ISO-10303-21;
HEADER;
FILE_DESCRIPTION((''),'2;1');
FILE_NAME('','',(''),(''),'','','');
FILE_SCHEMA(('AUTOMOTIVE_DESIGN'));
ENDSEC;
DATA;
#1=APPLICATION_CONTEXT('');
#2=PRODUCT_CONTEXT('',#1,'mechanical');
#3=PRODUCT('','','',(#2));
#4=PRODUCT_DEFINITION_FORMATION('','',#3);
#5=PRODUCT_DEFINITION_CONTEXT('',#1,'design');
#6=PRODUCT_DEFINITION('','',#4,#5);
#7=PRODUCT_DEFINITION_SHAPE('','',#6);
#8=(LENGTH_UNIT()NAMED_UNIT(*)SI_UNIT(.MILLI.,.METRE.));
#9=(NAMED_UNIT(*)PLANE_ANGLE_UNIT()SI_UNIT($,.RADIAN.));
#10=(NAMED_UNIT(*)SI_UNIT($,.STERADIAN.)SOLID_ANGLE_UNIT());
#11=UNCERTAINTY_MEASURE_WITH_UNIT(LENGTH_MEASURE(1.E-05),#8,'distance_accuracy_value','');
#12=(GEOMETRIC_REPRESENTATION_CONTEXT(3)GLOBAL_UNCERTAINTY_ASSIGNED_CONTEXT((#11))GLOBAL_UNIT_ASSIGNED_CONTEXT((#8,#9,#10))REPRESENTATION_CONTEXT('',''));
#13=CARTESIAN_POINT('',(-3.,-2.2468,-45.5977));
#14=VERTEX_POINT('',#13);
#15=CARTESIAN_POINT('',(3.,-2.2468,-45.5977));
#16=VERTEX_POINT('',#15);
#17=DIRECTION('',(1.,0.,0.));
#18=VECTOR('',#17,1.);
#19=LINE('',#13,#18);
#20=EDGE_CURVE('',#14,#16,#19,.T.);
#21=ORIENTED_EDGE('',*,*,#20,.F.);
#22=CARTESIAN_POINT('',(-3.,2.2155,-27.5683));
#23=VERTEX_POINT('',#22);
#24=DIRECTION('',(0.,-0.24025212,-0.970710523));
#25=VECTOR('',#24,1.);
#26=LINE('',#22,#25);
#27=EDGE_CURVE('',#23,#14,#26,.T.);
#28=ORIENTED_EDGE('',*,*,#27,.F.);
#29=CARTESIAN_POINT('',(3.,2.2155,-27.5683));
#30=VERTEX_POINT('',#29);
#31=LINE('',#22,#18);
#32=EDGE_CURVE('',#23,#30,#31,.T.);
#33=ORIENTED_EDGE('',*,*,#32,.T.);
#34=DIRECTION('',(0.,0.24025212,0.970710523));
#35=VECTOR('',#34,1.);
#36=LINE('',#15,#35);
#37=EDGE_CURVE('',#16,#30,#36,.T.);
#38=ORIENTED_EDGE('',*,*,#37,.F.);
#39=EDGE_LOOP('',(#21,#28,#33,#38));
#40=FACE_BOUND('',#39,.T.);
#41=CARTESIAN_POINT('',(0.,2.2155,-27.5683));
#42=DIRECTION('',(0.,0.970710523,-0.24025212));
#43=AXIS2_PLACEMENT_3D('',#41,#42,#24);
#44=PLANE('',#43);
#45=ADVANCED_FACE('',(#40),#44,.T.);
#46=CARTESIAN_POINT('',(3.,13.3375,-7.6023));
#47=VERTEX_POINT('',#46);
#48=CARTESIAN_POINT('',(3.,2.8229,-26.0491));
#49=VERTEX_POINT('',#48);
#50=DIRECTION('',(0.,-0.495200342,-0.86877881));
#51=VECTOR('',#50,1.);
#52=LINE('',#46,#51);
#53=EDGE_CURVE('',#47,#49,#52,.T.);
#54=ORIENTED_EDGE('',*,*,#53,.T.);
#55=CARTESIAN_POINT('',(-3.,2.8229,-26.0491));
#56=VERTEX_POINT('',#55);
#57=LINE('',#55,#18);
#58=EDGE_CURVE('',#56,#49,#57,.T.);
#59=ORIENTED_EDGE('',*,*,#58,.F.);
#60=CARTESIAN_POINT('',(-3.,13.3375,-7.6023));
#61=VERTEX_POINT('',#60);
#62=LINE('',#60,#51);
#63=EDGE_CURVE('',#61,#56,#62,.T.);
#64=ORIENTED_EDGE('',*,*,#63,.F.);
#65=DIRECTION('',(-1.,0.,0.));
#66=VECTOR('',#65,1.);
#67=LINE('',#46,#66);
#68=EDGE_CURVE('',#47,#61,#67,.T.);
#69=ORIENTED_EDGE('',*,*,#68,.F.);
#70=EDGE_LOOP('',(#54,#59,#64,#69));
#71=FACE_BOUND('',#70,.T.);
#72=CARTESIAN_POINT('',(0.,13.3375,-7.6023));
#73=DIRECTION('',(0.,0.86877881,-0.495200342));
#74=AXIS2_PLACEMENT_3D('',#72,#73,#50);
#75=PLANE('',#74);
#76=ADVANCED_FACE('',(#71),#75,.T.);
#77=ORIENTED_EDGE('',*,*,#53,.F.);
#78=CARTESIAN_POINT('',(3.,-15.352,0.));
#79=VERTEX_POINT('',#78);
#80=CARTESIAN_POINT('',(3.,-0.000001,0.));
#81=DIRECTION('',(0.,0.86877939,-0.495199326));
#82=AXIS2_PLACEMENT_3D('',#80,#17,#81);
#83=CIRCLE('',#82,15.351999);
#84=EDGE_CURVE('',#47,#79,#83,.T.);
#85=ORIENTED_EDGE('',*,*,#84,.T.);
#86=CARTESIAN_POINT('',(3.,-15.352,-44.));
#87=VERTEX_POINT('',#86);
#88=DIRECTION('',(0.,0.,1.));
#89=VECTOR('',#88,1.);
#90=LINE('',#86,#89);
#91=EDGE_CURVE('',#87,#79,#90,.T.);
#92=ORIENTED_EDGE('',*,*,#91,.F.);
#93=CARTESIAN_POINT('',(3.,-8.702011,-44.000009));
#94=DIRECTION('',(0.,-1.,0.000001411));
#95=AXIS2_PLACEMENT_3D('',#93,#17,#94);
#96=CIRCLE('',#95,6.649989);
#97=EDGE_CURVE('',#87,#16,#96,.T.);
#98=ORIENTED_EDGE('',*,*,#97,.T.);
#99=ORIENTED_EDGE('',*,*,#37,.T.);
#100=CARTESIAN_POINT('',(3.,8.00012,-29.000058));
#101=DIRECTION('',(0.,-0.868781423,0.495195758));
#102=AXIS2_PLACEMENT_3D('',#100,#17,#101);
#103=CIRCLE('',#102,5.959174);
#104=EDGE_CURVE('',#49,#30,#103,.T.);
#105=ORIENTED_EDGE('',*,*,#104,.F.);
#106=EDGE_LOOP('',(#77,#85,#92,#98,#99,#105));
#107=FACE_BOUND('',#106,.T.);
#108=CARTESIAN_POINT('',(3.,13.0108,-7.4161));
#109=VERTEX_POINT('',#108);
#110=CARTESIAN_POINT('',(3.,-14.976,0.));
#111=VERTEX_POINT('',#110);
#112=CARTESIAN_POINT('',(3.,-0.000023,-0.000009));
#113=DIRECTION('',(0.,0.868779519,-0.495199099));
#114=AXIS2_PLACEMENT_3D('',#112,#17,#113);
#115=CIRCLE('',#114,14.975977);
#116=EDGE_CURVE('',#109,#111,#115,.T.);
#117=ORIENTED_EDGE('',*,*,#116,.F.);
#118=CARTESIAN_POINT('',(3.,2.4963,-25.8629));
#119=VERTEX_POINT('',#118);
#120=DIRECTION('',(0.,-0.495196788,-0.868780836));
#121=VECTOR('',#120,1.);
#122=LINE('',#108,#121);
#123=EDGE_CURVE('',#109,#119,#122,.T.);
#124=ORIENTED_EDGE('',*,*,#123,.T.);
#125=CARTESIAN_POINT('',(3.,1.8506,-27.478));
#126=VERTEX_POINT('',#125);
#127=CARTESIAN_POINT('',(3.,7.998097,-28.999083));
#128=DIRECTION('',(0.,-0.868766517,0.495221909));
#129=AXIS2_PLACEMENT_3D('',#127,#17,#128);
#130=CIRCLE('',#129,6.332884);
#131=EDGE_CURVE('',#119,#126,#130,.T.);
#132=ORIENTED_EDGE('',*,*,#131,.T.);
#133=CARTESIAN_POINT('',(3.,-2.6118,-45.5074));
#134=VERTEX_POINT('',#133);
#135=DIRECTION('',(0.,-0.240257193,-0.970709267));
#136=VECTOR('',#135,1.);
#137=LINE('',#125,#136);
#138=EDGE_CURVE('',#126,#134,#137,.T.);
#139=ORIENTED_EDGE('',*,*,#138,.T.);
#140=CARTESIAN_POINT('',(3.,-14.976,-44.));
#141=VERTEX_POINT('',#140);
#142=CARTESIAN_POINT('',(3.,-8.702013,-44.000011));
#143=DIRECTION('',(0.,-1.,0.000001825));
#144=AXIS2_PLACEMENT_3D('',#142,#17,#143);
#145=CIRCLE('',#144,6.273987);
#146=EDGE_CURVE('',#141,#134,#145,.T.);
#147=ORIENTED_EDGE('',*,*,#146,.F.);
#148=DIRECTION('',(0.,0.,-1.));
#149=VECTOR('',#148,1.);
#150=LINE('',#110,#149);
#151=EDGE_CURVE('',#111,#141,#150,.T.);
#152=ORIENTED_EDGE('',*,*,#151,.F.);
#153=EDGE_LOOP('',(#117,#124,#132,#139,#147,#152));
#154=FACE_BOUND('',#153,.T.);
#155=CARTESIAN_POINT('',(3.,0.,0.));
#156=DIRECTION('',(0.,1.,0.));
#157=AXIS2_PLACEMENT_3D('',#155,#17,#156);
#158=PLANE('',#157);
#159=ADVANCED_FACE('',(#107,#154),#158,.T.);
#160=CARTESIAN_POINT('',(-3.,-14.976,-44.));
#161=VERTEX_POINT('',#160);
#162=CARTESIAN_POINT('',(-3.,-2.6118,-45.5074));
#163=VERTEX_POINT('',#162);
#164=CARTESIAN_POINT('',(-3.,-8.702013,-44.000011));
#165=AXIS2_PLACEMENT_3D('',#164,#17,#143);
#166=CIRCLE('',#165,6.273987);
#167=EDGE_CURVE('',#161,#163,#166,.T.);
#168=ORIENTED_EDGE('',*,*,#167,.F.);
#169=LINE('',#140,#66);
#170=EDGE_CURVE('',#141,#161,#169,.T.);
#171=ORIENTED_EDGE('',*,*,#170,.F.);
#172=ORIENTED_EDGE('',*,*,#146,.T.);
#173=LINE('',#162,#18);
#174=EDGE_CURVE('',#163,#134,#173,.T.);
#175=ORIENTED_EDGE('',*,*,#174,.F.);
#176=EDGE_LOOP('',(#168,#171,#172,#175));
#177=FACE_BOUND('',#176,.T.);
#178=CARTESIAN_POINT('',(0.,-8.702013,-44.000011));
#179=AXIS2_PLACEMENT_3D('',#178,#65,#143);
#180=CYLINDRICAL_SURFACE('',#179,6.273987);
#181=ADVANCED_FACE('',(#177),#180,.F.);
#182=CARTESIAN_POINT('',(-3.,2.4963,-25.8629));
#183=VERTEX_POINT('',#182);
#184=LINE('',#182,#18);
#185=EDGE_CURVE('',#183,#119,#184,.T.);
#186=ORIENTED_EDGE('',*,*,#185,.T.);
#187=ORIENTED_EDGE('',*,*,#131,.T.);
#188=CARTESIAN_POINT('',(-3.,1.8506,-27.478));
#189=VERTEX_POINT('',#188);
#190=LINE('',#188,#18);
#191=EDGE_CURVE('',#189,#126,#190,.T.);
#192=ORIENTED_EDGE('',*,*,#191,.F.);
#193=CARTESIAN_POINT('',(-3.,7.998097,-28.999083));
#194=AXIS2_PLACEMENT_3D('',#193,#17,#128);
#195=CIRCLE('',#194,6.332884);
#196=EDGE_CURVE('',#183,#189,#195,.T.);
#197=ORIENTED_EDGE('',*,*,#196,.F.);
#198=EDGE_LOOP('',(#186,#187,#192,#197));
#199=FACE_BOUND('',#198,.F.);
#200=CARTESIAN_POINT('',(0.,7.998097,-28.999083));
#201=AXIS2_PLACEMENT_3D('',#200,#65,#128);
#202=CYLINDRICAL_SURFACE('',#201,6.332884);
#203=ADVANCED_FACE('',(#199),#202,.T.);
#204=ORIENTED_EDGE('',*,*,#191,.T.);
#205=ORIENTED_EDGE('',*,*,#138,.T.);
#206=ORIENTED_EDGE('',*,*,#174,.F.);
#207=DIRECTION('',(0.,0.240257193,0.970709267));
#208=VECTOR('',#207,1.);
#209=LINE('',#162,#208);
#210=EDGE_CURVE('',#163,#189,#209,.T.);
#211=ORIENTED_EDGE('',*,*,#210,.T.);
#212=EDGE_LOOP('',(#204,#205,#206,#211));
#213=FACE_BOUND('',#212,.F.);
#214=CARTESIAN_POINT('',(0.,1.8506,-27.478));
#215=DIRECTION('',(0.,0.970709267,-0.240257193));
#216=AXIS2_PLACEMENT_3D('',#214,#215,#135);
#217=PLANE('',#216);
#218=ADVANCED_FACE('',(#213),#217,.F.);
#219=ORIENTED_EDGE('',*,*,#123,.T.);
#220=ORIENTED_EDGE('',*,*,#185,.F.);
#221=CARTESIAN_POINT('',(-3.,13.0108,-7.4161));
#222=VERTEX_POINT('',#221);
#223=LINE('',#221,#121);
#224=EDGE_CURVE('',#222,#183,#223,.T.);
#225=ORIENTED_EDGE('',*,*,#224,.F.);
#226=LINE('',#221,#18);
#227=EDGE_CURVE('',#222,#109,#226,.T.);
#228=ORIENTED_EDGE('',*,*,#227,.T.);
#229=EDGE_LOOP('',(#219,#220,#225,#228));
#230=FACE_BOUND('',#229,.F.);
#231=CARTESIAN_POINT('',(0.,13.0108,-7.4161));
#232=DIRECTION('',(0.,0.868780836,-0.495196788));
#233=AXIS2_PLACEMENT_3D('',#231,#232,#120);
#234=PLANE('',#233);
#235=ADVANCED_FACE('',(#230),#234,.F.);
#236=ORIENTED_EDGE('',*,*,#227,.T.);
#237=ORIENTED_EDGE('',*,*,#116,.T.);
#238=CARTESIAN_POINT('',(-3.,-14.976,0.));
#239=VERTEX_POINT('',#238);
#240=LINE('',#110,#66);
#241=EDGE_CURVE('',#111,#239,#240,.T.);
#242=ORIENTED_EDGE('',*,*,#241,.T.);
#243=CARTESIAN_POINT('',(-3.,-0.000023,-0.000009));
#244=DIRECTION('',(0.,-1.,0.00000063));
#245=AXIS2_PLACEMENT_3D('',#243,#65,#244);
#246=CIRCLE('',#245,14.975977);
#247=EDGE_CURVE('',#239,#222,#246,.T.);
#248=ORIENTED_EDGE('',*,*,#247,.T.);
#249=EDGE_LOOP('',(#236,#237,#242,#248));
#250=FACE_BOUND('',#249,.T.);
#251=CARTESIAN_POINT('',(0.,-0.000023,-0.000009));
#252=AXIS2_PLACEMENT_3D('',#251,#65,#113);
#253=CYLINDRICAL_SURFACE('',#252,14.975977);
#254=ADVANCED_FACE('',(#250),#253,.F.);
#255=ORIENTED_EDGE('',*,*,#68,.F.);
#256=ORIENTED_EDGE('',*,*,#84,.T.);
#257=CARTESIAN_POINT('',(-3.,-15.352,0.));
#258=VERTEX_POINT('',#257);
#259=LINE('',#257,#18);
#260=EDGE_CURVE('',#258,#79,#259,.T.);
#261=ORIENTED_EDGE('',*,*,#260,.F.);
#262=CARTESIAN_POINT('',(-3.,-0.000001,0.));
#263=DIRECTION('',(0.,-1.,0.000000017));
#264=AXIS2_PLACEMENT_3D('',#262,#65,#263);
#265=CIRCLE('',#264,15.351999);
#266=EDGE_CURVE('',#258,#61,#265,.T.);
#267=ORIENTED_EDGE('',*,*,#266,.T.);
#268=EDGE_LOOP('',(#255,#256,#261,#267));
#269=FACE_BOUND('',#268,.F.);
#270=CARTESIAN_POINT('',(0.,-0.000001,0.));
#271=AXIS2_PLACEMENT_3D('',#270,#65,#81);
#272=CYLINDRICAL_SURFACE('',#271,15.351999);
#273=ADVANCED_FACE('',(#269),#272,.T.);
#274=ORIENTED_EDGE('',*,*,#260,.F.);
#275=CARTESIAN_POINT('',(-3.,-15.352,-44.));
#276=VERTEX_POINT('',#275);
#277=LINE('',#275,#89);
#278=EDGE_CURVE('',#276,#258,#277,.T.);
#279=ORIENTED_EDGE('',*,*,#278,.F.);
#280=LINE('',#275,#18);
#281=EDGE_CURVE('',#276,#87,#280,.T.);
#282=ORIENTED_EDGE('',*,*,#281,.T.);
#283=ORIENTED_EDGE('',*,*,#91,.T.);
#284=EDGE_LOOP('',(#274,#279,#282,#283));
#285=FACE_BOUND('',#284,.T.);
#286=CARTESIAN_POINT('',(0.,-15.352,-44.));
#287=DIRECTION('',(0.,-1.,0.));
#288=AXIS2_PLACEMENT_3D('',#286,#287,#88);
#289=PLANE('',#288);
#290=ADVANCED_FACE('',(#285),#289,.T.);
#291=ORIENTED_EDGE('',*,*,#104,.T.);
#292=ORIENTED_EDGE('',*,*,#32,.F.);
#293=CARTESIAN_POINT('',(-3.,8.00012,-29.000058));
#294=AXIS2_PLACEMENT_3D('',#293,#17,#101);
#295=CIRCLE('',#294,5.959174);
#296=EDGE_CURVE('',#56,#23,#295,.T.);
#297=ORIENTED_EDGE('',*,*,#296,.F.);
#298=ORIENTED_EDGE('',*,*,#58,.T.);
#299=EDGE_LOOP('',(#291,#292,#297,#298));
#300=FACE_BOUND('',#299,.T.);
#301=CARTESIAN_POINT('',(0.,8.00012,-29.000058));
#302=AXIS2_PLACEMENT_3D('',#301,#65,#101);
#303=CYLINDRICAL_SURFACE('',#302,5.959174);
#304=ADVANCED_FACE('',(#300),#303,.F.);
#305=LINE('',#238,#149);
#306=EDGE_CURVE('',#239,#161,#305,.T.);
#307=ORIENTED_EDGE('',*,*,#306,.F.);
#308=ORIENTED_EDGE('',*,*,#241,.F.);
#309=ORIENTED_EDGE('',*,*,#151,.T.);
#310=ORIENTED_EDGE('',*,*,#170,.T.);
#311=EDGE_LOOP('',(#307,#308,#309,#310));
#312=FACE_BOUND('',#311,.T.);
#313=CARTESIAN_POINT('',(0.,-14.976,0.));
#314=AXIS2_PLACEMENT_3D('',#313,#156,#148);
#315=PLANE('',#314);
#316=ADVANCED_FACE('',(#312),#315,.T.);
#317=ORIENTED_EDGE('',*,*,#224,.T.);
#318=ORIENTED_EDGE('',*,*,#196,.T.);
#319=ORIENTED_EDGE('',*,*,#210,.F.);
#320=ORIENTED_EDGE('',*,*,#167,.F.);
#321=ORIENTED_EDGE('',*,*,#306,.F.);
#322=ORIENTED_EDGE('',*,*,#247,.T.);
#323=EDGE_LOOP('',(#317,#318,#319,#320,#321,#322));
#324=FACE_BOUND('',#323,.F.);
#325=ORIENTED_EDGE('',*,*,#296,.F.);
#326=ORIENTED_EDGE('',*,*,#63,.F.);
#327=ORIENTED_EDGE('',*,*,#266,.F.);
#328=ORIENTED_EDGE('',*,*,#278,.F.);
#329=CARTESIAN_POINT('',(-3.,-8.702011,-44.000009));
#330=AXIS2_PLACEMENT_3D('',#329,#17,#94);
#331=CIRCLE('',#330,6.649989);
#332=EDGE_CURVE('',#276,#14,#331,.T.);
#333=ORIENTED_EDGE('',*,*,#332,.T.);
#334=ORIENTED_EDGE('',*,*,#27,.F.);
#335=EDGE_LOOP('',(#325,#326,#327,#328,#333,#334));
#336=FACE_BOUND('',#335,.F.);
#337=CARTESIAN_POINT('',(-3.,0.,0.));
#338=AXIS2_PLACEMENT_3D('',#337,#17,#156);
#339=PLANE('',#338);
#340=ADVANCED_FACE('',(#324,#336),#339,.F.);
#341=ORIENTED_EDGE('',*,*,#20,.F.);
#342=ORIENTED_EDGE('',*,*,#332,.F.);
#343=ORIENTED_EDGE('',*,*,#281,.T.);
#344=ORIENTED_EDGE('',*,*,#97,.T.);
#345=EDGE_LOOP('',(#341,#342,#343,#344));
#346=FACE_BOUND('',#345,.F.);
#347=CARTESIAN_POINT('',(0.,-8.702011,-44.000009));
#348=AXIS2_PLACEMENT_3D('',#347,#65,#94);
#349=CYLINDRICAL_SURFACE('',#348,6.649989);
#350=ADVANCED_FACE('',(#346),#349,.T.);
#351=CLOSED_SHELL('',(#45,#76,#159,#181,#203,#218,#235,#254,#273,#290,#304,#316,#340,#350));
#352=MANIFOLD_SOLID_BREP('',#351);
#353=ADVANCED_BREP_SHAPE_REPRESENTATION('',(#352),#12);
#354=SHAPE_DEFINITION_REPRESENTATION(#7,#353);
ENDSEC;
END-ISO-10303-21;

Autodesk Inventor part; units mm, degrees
ref_plane "YZ Plane" through (0, 0, 0) normal (1, 0, 0) x (0, 1, 0)
ref_plane "XZ Plane" through (0, 0, 0) normal (0, 1, 0) x (-1, 0, 0)
ref_plane "XY Plane" through (0, 0, 0) normal (0, 0, 1) x (1, 0, 0)
sketch "Sketch1" plane through (0, 0, 0) normal (1, 0, 0) x (0, 1, 0)
  arc A0 (13.0108, -7.4161) -> (-14.976, 0) centre (0, 0) ccw
  arc A1 (-14.976, -44) -> (-2.6118, -45.5074) centre (-8.702, -44) ccw
  arc A2 (2.4963, -25.8629) -> (1.8506, -27.478) centre (8, -29) ccw
  line L0 (0, -65.4344) -> (0, 32.8066) projected
  line L1 (1.8506, -27.478) -> (-2.6118, -45.5074)
  line L2 (13.0108, -7.4161) -> (2.4963, -25.8629)
  line L3 (-14.976, 0) -> (-14.976, -44)
  arc A3 (13.3375, -7.6023) -> (-15.352, 0) centre (0, 0) ccw
  line L4 (13.3375, -7.6023) -> (2.8229, -26.0491)
  arc A4 (2.8229, -26.0491) -> (2.2155, -27.5683) centre (8, -29) ccw
  line L5 (2.2155, -27.5683) -> (-2.2468, -45.5977)
  arc A5 (-15.352, -44) -> (-2.2468, -45.5977) centre (-8.702, -44) ccw
  line L6 (-15.352, -44) -> (-15.352, 0)
  dimension "d0" = 29.952
  dimension "d1" = 12.548
  dimension "d2" = 12.67
  dimension "d3" = 29
  dimension "d4" = 44
  dimension "d5" = 8.702
  dimension "d6" = 8
  dimension "d7" = 0.376
extrude "Extrusion1" add sketch "Sketch1" along normal mid plane 6 contours A0 L0 A3 L4 A4 L5 L1 A2 L2 | A0 L3 A1 L1 L0 L5 A5 L6 A3
properties part number "czesc2paska"
